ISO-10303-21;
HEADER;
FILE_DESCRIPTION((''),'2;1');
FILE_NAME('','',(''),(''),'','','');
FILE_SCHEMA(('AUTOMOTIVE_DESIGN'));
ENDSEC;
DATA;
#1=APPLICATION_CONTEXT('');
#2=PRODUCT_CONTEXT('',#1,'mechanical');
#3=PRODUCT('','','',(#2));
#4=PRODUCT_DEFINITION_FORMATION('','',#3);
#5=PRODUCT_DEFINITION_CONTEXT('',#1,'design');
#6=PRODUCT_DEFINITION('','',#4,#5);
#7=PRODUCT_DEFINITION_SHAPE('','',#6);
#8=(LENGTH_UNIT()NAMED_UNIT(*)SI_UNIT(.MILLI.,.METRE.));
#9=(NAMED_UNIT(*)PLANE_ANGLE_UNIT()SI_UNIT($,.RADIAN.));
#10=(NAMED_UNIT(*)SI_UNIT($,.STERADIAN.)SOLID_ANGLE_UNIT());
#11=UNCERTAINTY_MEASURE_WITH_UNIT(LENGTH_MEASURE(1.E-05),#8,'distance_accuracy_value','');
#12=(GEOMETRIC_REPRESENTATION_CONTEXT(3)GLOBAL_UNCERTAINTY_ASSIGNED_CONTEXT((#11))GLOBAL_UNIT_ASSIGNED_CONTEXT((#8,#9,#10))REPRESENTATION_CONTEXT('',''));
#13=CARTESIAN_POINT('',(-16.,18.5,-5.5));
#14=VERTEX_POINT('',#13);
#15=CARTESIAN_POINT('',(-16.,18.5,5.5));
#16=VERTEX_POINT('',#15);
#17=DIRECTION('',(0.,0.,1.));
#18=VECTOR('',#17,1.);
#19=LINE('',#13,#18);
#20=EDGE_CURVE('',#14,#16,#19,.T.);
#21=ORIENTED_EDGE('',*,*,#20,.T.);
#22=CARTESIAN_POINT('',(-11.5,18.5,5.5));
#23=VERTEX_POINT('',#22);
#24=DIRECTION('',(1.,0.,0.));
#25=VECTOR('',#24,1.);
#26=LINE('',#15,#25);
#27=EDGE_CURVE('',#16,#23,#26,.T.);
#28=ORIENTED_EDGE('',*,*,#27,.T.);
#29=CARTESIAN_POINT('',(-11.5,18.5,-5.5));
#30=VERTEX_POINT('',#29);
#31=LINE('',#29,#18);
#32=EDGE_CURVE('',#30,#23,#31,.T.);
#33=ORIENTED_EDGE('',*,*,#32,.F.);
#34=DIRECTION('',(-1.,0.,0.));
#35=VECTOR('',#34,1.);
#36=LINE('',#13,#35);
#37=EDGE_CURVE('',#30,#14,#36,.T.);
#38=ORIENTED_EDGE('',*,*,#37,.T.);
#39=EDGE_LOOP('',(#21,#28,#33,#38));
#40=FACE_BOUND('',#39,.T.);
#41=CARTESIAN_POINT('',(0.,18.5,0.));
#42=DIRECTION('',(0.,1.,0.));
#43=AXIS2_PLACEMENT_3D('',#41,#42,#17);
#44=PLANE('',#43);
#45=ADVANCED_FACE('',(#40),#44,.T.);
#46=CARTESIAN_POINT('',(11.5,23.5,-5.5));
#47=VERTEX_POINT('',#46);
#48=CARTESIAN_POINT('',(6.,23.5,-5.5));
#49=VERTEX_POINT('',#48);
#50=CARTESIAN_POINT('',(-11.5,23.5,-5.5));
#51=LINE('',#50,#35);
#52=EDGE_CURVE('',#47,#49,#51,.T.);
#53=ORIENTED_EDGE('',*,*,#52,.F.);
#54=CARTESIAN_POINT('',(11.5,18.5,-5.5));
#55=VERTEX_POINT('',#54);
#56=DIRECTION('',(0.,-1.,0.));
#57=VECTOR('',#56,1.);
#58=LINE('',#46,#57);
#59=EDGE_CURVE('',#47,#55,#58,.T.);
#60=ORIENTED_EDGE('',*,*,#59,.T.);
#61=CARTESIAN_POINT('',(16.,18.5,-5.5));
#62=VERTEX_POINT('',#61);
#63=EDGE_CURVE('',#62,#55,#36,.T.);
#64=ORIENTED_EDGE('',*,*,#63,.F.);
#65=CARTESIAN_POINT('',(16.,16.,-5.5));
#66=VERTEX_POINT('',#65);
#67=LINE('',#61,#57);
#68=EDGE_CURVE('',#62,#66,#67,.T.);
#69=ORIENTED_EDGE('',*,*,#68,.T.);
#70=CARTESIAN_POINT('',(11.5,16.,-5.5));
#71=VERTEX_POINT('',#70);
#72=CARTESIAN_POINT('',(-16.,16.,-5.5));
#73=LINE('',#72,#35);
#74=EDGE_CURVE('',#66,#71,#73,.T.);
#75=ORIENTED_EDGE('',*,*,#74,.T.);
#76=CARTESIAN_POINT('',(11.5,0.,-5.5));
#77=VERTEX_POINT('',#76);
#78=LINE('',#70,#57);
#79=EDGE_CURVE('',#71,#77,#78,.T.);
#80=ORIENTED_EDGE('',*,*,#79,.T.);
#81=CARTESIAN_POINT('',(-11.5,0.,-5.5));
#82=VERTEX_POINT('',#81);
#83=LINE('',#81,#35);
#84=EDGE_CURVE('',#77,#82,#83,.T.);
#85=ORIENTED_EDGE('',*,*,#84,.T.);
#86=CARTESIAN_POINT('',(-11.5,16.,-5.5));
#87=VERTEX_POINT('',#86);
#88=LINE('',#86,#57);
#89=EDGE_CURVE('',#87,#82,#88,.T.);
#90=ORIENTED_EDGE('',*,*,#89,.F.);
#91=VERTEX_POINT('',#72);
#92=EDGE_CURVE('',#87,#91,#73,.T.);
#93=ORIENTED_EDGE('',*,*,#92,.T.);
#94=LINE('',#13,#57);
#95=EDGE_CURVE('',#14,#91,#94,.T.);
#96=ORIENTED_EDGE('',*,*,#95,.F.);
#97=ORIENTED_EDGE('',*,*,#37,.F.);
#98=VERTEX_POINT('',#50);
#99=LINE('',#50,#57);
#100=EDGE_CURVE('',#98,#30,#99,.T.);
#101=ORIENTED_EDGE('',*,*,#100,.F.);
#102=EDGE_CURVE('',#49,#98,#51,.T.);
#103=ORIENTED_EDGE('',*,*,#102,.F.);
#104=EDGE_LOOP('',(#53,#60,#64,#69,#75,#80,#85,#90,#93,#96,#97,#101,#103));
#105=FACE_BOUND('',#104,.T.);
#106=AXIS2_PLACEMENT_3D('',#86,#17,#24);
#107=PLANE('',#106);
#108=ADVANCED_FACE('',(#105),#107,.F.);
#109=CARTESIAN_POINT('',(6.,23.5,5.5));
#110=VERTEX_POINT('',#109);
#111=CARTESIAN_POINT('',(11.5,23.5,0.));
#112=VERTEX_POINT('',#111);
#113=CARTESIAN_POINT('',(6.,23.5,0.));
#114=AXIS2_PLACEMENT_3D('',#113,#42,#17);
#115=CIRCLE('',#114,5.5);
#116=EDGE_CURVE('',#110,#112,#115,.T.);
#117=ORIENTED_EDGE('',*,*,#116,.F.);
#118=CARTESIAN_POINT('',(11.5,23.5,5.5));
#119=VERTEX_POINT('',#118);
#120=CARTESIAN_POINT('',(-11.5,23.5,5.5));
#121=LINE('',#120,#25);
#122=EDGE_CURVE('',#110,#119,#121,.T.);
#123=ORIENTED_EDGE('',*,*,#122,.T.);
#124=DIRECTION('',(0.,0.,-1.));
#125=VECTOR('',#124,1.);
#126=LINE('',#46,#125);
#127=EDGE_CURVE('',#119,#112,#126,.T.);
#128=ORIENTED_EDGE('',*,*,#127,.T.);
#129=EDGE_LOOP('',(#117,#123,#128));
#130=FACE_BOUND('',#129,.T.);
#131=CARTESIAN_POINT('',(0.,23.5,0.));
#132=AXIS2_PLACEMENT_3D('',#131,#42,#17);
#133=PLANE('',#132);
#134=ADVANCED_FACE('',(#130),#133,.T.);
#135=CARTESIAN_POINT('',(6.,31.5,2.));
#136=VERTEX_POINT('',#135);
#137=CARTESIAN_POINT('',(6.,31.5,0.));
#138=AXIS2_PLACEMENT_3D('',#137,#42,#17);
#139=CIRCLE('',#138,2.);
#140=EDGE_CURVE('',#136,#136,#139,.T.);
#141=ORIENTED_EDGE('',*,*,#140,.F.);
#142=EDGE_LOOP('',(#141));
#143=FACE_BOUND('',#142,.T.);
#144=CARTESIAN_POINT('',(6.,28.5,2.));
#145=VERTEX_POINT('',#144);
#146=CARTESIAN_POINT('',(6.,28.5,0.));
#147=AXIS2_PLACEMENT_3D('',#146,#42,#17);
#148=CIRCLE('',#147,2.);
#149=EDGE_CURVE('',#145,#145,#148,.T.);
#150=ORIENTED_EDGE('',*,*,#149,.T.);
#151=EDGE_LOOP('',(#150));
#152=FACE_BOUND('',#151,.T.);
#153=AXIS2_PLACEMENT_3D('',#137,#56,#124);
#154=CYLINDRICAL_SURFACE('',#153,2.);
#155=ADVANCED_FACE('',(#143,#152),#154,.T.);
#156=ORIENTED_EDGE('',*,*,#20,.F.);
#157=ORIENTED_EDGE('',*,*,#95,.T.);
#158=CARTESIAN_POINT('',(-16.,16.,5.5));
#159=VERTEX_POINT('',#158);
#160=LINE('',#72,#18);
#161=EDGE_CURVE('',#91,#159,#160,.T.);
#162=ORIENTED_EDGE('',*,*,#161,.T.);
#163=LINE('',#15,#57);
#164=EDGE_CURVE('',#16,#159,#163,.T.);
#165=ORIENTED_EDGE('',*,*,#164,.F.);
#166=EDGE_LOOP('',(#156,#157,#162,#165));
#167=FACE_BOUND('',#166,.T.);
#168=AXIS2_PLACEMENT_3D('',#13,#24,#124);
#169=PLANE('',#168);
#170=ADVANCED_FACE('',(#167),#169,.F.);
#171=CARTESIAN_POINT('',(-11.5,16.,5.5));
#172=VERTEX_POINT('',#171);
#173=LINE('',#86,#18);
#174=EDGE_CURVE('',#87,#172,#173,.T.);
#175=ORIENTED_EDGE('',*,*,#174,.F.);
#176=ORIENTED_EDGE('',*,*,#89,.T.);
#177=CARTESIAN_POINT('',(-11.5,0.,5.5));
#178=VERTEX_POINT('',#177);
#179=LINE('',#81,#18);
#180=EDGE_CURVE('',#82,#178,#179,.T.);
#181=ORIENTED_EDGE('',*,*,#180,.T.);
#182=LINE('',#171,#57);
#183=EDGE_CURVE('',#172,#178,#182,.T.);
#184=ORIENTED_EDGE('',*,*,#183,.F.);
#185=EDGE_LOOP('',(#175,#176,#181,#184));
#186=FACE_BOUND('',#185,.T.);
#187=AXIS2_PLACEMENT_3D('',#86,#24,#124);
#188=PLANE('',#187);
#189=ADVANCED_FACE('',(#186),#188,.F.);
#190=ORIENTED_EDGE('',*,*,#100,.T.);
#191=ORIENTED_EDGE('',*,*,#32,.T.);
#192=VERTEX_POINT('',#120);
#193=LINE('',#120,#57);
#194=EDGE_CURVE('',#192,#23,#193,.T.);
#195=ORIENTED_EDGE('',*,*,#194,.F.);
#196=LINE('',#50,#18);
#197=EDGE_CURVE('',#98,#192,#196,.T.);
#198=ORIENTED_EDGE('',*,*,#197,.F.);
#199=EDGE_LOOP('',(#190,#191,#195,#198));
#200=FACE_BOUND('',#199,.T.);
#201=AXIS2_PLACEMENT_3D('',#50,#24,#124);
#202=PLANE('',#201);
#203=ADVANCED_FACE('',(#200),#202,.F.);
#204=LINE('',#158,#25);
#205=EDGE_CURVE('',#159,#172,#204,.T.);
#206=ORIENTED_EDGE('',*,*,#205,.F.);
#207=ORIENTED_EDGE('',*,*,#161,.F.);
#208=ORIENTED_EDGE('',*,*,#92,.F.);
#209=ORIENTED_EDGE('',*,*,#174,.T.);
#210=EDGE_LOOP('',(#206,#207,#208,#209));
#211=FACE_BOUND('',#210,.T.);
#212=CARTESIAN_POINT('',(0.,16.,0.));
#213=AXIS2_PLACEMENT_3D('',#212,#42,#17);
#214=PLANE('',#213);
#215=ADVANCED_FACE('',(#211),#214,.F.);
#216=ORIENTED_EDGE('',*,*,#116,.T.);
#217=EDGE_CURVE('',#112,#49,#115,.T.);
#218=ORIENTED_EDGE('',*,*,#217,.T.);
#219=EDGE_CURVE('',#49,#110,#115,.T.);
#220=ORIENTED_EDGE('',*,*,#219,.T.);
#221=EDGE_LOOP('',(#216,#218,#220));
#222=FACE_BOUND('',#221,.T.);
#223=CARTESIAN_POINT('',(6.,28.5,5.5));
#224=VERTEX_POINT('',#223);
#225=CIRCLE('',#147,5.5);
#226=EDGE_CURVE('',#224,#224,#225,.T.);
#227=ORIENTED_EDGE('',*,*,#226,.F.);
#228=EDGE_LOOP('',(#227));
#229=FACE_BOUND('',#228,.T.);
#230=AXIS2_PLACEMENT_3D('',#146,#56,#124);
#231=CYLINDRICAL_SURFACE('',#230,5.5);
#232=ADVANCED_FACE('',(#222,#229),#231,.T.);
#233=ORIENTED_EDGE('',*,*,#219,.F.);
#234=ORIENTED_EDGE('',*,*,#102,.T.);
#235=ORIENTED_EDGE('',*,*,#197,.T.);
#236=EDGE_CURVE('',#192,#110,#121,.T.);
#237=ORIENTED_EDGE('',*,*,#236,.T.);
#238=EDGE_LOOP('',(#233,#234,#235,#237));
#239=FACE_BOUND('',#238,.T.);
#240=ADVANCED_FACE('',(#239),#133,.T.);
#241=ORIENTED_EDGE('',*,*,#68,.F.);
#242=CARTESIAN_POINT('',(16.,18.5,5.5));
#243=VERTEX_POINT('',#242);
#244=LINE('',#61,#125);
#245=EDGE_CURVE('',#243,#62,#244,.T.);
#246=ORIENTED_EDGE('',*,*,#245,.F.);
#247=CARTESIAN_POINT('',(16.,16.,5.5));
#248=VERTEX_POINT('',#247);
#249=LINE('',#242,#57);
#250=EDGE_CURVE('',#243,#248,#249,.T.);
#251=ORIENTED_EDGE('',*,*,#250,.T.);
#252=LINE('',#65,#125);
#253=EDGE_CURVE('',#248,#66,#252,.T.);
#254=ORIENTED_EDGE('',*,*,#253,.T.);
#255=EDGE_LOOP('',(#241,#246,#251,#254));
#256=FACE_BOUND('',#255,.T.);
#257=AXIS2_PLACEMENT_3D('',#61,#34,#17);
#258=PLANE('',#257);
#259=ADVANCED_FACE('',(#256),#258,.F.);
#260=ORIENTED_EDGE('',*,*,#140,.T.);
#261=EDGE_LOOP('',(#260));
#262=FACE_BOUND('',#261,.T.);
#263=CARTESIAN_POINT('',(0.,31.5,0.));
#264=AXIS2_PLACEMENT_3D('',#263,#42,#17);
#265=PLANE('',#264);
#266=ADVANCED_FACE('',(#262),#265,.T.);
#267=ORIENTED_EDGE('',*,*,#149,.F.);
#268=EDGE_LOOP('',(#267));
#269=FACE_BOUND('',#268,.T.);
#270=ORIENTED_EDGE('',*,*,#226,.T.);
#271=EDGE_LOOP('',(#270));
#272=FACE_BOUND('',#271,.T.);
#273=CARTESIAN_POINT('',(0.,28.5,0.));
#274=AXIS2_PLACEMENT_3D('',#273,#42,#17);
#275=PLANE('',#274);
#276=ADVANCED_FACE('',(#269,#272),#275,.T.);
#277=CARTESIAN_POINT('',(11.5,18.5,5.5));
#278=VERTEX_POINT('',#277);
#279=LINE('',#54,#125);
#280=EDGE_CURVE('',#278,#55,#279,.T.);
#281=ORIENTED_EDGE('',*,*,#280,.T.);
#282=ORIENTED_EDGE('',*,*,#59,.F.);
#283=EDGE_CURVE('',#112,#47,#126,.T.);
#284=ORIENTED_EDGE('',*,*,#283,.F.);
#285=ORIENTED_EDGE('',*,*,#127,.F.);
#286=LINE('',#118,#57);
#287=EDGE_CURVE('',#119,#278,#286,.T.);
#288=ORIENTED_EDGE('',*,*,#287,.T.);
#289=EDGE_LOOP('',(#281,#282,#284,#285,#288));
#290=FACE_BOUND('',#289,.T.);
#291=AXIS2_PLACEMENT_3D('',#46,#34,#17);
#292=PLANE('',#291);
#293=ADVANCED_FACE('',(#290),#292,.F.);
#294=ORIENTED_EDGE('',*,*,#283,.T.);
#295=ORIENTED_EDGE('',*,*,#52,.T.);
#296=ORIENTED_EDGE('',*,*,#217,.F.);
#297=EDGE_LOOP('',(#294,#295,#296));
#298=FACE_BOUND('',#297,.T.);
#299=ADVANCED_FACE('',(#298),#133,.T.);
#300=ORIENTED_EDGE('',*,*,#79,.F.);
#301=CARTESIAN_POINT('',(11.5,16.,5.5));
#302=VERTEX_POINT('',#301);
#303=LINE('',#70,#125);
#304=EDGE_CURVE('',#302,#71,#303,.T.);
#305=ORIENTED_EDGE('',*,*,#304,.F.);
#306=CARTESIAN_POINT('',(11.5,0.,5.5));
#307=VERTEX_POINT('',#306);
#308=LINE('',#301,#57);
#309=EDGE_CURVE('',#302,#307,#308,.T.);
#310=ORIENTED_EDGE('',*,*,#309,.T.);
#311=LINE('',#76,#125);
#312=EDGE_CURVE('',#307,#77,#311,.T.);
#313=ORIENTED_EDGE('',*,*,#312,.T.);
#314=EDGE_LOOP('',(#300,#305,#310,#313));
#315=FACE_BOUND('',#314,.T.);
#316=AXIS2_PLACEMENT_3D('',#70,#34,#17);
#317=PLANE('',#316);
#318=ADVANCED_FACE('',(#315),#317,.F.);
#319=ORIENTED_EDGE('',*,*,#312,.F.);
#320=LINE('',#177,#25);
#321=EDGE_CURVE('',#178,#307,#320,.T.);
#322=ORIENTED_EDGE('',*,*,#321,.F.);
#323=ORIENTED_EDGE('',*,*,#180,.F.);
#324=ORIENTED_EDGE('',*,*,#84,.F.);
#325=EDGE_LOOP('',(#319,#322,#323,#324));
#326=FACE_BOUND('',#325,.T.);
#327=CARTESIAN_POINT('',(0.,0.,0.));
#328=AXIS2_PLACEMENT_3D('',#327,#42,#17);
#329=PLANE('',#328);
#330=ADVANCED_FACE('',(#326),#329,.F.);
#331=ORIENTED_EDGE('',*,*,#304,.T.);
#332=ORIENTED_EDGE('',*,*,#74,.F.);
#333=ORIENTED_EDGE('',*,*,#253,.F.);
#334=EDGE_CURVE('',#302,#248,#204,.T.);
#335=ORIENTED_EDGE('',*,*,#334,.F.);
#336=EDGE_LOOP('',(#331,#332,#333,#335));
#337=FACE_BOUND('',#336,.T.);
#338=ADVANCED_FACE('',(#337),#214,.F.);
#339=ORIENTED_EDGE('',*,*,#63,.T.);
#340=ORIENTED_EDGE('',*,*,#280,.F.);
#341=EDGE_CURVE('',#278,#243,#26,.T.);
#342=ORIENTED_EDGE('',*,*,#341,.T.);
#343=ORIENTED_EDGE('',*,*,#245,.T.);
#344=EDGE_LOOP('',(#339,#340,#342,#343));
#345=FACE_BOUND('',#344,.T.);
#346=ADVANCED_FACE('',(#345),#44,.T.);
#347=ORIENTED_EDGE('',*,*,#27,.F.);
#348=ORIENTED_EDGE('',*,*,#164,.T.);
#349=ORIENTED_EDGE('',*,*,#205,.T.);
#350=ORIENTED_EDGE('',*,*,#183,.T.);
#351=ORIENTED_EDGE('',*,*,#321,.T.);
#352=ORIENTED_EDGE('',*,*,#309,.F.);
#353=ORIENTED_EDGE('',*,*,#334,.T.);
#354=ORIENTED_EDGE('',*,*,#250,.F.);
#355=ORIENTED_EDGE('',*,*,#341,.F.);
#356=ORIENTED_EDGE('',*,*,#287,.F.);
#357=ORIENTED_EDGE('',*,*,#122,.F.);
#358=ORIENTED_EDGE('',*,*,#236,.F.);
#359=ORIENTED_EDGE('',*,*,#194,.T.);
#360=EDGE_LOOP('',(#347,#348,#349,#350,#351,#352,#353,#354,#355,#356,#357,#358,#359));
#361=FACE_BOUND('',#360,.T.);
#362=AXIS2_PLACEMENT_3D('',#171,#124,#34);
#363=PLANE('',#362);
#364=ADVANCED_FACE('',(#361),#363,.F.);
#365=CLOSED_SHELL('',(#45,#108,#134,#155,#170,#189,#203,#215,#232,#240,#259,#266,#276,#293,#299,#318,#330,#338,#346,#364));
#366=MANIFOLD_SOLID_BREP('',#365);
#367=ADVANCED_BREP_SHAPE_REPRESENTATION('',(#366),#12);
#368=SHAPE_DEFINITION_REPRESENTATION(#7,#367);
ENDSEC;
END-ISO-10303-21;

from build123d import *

# Parameters (mm, degrees)
SKETCH1_W           = 23
SKETCH1_H           = 11
BOSS_EXTRUDE1_DEPTH = 16
SKETCH2_W           = 32
SKETCH2_H           = 11
BOSS_EXTRUDE2_DEPTH = 2.5
SKETCH3_W           = 23
SKETCH3_H           = 11
BOSS_EXTRUDE3_DEPTH = 5
BOSS_EXTRUDE4_DEPTH = 5
BOSS_EXTRUDE5_DEPTH = 3


with BuildPart() as part:
    # Sketch1 → Boss-Extrude1 (new body)
    with BuildSketch(Plane(origin=(0, 0, 0), x_dir=(1, 0, 0), z_dir=(0, 1, 0))):
        Rectangle(SKETCH1_W, SKETCH1_H)
    extrude(amount=BOSS_EXTRUDE1_DEPTH)

    # Sketch2 → Boss-Extrude2 (add)
    with BuildSketch(Plane(origin=(0, 16, 0), x_dir=(1, 0, 0), z_dir=(0, 1, 0))):
        Rectangle(SKETCH2_W, SKETCH2_H)
    extrude(amount=BOSS_EXTRUDE2_DEPTH)

    # Sketch3 → Boss-Extrude3 (add)
    with BuildSketch(Plane(origin=(0, 18.5, 0), x_dir=(1, 0, 0), z_dir=(0, 1, 0))):
        Rectangle(SKETCH3_W, SKETCH3_H)
    extrude(amount=BOSS_EXTRUDE3_DEPTH)

    # Sketch4 → Boss-Extrude4 (add)
    with BuildSketch(Plane(origin=(0, 23.5, 0), x_dir=(1, 0, 0), z_dir=(0, 1, 0))):
        with BuildLine():
            ThreePointArc((11.5, 0), (2.110912703, 3.889087297), (6, -5.5))
            Line((6, -5.5), (6, 0))
            Line((6, 0), (11.5, 0))
        make_face()
        with BuildLine():
            Line((6, 0), (6, -5.5))
            ThreePointArc((6, -5.5), (9.889087297, -3.889087297), (11.5, 0))
            Line((11.5, 0), (6, 0))
        make_face()
    extrude(amount=BOSS_EXTRUDE4_DEPTH)

    # Sketch5 → Boss-Extrude5 (add)
    with BuildSketch(Plane(origin=(0, 28.5, 0), x_dir=(1, 0, 0), z_dir=(0, 1, 0))):
        with BuildLine():
            ThreePointArc((8, 0), (4.585786438, 1.414213562), (6, -2))
            Line((6, -2), (6, 0))
            Line((6, 0), (8, 0))
        make_face()
        with BuildLine():
            Line((6, 0), (6, -2))
            ThreePointArc((6, -2), (7.414213562, -1.414213562), (8, 0))
            Line((8, 0), (6, 0))
        make_face()
    extrude(amount=BOSS_EXTRUDE5_DEPTH)


solid = part.part
